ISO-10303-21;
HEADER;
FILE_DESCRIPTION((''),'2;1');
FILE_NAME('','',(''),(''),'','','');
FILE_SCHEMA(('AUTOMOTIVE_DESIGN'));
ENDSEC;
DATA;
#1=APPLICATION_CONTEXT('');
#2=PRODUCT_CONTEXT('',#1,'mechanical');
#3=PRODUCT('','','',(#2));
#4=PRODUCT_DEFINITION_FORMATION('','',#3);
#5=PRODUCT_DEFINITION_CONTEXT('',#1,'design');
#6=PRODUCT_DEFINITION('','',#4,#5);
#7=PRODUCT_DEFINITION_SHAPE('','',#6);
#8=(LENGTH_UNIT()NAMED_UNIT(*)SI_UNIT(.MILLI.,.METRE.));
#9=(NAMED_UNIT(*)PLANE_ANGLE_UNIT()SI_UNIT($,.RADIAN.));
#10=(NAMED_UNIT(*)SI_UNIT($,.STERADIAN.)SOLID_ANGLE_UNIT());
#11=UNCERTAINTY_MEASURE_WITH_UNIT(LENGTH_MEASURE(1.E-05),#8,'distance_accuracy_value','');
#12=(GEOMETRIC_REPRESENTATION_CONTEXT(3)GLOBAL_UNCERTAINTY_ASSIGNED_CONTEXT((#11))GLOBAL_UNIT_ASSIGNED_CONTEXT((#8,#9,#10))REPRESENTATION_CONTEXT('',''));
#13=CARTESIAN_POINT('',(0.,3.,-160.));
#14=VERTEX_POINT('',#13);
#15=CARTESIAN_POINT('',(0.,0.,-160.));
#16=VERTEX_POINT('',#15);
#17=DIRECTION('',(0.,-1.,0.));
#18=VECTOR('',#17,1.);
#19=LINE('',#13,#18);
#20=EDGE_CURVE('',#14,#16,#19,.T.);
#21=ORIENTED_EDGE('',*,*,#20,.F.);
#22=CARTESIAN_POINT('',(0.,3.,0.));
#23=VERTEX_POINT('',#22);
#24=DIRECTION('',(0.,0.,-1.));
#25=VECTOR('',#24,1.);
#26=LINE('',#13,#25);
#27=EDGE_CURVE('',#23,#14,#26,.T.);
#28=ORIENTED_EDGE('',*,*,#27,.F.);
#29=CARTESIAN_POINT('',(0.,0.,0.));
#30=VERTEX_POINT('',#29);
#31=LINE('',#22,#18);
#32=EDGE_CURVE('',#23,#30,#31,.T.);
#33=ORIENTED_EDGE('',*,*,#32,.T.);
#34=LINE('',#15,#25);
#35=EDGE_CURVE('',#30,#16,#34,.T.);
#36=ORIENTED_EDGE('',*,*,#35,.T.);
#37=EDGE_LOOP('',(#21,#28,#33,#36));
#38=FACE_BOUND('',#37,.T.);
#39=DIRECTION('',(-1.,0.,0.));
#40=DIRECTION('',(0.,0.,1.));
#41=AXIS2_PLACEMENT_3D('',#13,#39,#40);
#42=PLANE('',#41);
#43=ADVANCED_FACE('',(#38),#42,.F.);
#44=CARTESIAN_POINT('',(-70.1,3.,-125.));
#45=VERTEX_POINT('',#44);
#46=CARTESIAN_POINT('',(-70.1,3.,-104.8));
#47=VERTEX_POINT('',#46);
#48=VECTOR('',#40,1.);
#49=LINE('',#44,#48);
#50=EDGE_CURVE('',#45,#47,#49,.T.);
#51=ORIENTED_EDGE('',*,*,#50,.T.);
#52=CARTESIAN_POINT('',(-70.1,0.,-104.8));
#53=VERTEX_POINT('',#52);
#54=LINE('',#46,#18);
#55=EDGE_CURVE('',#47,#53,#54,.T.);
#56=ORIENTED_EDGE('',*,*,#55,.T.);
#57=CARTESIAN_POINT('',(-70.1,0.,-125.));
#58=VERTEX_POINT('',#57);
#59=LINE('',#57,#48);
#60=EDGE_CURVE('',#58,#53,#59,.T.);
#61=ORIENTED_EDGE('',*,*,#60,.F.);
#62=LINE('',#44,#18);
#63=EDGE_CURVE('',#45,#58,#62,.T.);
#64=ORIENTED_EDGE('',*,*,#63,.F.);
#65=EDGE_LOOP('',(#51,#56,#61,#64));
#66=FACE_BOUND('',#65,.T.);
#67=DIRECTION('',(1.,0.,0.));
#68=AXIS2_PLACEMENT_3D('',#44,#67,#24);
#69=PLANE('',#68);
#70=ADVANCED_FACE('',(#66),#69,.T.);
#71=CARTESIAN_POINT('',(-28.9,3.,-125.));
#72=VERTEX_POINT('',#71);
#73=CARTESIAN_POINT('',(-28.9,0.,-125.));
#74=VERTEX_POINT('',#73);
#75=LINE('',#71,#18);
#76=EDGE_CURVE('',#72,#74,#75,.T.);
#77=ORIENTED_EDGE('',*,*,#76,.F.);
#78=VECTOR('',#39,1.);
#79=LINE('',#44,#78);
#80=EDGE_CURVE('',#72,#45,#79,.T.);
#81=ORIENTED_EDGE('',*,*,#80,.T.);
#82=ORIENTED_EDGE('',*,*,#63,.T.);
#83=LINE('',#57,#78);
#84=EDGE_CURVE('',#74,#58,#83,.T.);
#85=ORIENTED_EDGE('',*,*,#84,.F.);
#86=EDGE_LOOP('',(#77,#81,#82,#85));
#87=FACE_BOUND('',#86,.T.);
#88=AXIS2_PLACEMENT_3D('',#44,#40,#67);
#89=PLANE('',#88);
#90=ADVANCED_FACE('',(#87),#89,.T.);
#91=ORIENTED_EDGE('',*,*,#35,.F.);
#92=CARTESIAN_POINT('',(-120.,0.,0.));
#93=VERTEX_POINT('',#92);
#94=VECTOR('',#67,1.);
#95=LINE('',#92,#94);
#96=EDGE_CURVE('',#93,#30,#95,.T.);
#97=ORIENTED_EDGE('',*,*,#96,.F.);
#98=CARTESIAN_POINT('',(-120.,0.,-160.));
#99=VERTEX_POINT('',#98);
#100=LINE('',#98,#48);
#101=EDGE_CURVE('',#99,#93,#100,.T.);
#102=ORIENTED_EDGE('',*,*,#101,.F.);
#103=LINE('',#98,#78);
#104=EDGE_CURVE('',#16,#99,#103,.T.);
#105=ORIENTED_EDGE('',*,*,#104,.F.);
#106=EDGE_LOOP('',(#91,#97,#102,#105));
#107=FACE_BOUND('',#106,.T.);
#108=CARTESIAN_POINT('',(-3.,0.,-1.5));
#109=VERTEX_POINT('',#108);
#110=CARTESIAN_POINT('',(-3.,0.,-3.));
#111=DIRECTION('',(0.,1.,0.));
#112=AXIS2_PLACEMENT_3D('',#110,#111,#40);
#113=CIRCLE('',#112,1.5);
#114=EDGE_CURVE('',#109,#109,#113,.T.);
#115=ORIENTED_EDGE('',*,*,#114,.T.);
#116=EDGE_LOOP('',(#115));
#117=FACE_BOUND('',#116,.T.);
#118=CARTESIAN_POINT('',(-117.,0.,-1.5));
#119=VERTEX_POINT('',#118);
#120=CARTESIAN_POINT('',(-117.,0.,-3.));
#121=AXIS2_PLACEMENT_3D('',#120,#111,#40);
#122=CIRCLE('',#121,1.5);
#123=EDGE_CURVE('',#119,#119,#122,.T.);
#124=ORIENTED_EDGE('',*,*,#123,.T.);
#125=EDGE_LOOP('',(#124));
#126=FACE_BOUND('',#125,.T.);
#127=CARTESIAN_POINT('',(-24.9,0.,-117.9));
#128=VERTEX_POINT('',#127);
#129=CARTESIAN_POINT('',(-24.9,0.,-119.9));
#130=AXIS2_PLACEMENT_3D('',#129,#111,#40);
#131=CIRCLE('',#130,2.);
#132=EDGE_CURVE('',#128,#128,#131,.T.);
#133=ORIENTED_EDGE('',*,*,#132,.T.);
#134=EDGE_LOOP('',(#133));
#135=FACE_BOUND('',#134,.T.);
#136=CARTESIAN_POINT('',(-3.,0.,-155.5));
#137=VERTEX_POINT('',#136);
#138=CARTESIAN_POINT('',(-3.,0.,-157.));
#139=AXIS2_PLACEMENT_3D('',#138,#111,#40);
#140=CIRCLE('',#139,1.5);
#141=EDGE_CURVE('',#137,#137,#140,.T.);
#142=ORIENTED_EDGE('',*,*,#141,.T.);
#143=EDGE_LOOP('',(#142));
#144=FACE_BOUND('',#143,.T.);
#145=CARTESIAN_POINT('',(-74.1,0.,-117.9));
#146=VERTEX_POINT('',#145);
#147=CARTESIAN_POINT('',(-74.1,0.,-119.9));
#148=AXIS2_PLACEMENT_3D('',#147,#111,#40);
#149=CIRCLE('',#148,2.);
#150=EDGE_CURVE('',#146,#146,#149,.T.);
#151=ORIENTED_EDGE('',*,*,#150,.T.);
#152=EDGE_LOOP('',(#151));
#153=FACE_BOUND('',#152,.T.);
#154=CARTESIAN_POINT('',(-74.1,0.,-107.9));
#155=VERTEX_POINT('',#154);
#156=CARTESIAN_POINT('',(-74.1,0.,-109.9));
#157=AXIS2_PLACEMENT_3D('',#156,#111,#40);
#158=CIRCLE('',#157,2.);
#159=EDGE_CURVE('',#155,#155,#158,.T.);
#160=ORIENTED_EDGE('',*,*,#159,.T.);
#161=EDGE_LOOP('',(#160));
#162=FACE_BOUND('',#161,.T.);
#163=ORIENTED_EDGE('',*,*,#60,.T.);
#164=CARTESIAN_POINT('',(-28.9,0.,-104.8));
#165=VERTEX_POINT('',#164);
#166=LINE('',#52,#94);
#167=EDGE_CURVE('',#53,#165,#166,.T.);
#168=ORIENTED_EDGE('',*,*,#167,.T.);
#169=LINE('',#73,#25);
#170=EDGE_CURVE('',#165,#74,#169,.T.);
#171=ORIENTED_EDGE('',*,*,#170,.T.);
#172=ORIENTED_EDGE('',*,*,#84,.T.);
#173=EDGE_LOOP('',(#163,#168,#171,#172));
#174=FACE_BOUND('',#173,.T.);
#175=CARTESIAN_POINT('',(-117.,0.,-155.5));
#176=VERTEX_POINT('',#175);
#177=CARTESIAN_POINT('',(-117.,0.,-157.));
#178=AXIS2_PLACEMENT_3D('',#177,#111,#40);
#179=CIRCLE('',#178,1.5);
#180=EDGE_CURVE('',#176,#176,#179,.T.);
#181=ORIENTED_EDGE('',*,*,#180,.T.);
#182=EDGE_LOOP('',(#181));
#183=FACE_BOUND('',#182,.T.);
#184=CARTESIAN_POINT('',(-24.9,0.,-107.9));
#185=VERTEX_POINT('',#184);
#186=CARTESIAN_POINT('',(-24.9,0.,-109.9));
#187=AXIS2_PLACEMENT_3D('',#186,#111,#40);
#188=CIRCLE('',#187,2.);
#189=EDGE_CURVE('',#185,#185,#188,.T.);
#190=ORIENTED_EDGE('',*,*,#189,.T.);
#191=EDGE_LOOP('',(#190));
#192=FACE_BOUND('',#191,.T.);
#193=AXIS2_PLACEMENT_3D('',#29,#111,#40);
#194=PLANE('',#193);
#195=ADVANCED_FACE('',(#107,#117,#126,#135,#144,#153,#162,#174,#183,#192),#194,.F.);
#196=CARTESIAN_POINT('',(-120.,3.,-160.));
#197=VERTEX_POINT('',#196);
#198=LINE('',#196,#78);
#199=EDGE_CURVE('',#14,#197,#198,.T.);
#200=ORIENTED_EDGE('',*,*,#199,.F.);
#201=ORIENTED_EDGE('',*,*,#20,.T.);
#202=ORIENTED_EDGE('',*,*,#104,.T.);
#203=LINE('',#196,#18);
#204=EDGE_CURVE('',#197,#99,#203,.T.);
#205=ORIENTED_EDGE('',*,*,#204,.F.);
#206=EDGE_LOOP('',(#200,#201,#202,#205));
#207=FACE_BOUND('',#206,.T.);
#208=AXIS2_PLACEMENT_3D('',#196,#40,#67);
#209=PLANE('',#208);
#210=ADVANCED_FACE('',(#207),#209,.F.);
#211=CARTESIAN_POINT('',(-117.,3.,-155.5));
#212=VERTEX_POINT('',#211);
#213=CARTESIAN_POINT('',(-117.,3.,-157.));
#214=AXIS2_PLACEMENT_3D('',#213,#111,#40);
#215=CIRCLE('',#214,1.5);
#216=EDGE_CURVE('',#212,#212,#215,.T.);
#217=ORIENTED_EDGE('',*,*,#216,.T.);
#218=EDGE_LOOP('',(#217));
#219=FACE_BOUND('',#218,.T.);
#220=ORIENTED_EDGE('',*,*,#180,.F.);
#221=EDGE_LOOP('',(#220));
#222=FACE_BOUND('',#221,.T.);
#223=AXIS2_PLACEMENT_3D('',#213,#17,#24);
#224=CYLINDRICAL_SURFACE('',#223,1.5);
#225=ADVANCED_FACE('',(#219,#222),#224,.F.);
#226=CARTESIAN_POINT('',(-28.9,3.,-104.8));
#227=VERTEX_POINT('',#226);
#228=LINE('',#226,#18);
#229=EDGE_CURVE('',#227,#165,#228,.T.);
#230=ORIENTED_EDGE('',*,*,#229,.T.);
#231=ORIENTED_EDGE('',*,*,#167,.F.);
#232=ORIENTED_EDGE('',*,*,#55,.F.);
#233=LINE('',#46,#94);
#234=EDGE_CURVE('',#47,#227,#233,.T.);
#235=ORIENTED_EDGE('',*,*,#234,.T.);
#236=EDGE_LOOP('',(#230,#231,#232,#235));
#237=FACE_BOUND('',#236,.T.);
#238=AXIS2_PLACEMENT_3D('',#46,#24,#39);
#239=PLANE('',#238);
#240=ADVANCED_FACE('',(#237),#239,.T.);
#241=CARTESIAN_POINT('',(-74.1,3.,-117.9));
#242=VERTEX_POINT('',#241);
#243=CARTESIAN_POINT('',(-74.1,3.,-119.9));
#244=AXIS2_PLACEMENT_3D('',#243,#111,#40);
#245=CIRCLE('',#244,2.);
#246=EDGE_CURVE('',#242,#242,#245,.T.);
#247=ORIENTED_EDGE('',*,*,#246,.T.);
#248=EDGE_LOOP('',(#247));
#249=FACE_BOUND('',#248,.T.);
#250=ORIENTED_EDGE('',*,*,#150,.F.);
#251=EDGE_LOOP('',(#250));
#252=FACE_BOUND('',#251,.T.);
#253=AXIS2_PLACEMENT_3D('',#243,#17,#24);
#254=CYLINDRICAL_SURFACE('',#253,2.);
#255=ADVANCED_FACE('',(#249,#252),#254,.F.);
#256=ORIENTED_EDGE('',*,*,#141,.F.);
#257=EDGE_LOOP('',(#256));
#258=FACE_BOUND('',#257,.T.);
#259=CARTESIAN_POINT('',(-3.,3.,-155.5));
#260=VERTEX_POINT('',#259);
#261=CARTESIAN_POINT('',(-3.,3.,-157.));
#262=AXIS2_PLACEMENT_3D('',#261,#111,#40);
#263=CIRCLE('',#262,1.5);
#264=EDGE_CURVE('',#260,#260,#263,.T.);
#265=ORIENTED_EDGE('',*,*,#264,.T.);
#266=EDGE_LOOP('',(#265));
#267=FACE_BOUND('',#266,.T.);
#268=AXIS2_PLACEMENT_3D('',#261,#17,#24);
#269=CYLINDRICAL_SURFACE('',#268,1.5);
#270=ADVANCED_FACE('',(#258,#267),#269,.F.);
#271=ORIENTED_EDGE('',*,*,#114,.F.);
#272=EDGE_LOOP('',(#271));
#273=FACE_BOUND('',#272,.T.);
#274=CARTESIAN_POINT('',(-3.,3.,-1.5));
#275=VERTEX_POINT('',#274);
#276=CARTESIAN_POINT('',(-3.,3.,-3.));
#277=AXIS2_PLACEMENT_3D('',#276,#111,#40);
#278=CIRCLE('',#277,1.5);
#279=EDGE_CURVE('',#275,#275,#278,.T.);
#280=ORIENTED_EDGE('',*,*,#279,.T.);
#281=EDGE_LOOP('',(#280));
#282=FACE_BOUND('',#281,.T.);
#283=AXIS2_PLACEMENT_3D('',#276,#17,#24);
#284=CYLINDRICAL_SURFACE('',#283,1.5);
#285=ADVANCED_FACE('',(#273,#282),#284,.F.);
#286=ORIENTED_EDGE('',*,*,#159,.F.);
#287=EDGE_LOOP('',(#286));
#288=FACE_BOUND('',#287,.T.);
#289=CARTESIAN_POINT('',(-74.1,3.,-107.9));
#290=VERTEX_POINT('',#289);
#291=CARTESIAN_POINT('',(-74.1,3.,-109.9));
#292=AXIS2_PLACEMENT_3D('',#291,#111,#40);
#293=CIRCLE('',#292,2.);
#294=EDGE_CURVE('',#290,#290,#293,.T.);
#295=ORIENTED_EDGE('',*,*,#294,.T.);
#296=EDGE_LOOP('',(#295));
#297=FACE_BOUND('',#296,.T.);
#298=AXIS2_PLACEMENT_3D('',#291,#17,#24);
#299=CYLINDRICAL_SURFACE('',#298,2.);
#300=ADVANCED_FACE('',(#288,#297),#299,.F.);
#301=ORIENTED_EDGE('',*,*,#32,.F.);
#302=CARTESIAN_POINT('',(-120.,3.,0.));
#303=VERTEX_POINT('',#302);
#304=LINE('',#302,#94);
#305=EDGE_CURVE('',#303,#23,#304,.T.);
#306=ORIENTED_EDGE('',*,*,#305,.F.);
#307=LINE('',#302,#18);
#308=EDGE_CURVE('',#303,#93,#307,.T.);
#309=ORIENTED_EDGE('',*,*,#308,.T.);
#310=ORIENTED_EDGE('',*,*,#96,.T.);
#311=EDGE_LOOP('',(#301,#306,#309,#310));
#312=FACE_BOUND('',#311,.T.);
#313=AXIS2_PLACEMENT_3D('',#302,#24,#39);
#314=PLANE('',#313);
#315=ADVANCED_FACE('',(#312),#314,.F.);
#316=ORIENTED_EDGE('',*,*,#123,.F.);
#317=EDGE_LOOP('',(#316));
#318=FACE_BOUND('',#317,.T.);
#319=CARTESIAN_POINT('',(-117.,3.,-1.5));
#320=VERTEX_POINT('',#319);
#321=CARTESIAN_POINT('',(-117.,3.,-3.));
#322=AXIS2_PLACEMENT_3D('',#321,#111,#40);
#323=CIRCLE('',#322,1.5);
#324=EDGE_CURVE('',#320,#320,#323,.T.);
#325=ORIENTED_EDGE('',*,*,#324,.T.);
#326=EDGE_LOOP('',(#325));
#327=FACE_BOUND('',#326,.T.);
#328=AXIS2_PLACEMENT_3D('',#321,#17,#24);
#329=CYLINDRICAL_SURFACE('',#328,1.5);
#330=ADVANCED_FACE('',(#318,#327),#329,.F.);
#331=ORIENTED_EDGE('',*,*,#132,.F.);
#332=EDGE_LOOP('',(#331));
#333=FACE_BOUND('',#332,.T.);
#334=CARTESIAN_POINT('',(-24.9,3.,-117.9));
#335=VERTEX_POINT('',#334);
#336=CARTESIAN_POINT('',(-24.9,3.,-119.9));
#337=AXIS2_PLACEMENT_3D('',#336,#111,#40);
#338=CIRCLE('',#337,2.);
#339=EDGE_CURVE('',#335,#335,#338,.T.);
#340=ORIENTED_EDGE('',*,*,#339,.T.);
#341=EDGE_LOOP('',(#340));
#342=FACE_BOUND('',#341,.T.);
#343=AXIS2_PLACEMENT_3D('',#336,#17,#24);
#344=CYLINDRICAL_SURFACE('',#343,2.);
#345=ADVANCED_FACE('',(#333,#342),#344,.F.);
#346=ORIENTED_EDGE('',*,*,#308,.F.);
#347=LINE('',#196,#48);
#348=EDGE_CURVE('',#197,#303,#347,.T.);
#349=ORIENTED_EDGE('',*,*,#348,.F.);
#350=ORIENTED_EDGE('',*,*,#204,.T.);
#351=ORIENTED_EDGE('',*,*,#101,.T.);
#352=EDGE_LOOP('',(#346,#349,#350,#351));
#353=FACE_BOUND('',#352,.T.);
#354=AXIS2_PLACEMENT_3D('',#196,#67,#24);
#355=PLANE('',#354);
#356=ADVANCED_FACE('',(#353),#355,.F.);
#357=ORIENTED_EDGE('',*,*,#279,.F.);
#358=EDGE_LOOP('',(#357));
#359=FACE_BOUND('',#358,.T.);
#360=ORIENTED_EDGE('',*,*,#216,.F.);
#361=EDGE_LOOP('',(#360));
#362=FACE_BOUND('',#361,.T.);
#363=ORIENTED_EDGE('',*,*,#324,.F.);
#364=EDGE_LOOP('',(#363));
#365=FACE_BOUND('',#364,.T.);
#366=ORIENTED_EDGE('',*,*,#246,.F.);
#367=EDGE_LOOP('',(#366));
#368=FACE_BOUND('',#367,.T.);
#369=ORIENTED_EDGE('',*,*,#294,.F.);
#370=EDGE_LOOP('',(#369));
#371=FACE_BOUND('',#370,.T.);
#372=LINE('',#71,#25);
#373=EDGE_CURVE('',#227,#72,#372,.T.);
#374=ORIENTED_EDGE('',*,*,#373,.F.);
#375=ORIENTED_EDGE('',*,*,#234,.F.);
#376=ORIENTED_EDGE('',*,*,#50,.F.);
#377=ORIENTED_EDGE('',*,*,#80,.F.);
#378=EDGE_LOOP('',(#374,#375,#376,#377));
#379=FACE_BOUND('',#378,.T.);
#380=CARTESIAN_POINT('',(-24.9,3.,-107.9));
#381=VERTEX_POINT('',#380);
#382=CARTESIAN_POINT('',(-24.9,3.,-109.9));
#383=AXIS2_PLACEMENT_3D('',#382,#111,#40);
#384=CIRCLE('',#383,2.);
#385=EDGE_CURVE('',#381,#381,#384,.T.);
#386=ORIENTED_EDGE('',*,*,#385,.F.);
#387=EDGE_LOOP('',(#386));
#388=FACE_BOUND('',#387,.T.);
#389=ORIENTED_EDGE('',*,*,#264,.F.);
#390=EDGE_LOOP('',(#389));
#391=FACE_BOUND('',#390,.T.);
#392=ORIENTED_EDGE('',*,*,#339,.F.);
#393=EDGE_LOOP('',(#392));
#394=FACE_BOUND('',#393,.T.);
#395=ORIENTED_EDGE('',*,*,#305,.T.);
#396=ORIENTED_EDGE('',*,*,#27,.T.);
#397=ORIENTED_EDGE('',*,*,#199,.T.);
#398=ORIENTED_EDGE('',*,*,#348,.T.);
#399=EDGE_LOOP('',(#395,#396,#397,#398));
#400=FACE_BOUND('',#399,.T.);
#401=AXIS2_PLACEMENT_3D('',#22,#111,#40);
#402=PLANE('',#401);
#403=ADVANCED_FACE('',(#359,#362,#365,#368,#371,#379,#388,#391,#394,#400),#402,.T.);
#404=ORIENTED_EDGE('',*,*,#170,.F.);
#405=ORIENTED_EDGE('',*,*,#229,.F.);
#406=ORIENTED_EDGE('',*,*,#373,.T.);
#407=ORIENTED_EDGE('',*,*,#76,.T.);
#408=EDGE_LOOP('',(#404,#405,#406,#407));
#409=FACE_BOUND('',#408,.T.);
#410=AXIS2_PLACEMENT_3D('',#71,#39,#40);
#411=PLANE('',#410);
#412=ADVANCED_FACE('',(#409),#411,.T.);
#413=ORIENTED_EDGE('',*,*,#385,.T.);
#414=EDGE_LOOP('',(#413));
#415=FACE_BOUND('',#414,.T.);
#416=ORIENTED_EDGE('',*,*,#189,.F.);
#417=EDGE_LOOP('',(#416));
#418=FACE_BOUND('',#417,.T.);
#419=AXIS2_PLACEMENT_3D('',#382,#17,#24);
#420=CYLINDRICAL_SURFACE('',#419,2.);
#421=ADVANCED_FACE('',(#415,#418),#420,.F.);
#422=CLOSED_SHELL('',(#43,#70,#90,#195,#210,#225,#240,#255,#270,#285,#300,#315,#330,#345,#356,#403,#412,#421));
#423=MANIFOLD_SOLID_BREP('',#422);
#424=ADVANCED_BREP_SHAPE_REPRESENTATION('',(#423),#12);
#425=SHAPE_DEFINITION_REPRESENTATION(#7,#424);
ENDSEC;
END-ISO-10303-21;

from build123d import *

# Parameters (mm, degrees)
SKETCH1_W           = 120
SKETCH1_H           = 160
SKETCH1_R           = 1.5
SKETCH1_R_2         = 2
SKETCH1_W_2         = 41.2
SKETCH1_H_2         = 20.2
BOSS_EXTRUDE1_DEPTH = 3


with BuildPart() as part:
    # Sketch1 → Boss-Extrude1 (new body)
    with BuildSketch(Plane(origin=(0, 0, 0), x_dir=(1, 0, 0), z_dir=(0, 1, 0))):
        with Locations((-60, 80)):
            Rectangle(SKETCH1_W, SKETCH1_H)
        with Locations(Location((-117, 157, 0), (0, 0, 270))):
            Circle(SKETCH1_R, mode=Mode.SUBTRACT)
        with Locations(Location((-3, 157, 0), (0, 0, 270))):
            Circle(SKETCH1_R, mode=Mode.SUBTRACT)
        with Locations(Location((-117, 3, 0), (0, 0, 270))):
            Circle(SKETCH1_R, mode=Mode.SUBTRACT)
        with Locations(Location((-3, 3, 0), (0, 0, 270))):
            Circle(SKETCH1_R, mode=Mode.SUBTRACT)
        with Locations(Location((-74.1, 119.9, 0), (0, 0, 270))):
            Circle(SKETCH1_R_2, mode=Mode.SUBTRACT)
        with Locations(Location((-74.1, 109.9, 0), (0, 0, 270))):
            Circle(SKETCH1_R_2, mode=Mode.SUBTRACT)
        with Locations(Location((-24.9, 119.9, 0), (0, 0, 270))):
            Circle(SKETCH1_R_2, mode=Mode.SUBTRACT)
        with Locations(Location((-24.9, 109.9, 0), (0, 0, 270))):
            Circle(SKETCH1_R_2, mode=Mode.SUBTRACT)
        with Locations((-49.5, 114.9)):
            Rectangle(SKETCH1_W_2, SKETCH1_H_2, mode=Mode.SUBTRACT)
    extrude(amount=BOSS_EXTRUDE1_DEPTH)


solid = part.part
